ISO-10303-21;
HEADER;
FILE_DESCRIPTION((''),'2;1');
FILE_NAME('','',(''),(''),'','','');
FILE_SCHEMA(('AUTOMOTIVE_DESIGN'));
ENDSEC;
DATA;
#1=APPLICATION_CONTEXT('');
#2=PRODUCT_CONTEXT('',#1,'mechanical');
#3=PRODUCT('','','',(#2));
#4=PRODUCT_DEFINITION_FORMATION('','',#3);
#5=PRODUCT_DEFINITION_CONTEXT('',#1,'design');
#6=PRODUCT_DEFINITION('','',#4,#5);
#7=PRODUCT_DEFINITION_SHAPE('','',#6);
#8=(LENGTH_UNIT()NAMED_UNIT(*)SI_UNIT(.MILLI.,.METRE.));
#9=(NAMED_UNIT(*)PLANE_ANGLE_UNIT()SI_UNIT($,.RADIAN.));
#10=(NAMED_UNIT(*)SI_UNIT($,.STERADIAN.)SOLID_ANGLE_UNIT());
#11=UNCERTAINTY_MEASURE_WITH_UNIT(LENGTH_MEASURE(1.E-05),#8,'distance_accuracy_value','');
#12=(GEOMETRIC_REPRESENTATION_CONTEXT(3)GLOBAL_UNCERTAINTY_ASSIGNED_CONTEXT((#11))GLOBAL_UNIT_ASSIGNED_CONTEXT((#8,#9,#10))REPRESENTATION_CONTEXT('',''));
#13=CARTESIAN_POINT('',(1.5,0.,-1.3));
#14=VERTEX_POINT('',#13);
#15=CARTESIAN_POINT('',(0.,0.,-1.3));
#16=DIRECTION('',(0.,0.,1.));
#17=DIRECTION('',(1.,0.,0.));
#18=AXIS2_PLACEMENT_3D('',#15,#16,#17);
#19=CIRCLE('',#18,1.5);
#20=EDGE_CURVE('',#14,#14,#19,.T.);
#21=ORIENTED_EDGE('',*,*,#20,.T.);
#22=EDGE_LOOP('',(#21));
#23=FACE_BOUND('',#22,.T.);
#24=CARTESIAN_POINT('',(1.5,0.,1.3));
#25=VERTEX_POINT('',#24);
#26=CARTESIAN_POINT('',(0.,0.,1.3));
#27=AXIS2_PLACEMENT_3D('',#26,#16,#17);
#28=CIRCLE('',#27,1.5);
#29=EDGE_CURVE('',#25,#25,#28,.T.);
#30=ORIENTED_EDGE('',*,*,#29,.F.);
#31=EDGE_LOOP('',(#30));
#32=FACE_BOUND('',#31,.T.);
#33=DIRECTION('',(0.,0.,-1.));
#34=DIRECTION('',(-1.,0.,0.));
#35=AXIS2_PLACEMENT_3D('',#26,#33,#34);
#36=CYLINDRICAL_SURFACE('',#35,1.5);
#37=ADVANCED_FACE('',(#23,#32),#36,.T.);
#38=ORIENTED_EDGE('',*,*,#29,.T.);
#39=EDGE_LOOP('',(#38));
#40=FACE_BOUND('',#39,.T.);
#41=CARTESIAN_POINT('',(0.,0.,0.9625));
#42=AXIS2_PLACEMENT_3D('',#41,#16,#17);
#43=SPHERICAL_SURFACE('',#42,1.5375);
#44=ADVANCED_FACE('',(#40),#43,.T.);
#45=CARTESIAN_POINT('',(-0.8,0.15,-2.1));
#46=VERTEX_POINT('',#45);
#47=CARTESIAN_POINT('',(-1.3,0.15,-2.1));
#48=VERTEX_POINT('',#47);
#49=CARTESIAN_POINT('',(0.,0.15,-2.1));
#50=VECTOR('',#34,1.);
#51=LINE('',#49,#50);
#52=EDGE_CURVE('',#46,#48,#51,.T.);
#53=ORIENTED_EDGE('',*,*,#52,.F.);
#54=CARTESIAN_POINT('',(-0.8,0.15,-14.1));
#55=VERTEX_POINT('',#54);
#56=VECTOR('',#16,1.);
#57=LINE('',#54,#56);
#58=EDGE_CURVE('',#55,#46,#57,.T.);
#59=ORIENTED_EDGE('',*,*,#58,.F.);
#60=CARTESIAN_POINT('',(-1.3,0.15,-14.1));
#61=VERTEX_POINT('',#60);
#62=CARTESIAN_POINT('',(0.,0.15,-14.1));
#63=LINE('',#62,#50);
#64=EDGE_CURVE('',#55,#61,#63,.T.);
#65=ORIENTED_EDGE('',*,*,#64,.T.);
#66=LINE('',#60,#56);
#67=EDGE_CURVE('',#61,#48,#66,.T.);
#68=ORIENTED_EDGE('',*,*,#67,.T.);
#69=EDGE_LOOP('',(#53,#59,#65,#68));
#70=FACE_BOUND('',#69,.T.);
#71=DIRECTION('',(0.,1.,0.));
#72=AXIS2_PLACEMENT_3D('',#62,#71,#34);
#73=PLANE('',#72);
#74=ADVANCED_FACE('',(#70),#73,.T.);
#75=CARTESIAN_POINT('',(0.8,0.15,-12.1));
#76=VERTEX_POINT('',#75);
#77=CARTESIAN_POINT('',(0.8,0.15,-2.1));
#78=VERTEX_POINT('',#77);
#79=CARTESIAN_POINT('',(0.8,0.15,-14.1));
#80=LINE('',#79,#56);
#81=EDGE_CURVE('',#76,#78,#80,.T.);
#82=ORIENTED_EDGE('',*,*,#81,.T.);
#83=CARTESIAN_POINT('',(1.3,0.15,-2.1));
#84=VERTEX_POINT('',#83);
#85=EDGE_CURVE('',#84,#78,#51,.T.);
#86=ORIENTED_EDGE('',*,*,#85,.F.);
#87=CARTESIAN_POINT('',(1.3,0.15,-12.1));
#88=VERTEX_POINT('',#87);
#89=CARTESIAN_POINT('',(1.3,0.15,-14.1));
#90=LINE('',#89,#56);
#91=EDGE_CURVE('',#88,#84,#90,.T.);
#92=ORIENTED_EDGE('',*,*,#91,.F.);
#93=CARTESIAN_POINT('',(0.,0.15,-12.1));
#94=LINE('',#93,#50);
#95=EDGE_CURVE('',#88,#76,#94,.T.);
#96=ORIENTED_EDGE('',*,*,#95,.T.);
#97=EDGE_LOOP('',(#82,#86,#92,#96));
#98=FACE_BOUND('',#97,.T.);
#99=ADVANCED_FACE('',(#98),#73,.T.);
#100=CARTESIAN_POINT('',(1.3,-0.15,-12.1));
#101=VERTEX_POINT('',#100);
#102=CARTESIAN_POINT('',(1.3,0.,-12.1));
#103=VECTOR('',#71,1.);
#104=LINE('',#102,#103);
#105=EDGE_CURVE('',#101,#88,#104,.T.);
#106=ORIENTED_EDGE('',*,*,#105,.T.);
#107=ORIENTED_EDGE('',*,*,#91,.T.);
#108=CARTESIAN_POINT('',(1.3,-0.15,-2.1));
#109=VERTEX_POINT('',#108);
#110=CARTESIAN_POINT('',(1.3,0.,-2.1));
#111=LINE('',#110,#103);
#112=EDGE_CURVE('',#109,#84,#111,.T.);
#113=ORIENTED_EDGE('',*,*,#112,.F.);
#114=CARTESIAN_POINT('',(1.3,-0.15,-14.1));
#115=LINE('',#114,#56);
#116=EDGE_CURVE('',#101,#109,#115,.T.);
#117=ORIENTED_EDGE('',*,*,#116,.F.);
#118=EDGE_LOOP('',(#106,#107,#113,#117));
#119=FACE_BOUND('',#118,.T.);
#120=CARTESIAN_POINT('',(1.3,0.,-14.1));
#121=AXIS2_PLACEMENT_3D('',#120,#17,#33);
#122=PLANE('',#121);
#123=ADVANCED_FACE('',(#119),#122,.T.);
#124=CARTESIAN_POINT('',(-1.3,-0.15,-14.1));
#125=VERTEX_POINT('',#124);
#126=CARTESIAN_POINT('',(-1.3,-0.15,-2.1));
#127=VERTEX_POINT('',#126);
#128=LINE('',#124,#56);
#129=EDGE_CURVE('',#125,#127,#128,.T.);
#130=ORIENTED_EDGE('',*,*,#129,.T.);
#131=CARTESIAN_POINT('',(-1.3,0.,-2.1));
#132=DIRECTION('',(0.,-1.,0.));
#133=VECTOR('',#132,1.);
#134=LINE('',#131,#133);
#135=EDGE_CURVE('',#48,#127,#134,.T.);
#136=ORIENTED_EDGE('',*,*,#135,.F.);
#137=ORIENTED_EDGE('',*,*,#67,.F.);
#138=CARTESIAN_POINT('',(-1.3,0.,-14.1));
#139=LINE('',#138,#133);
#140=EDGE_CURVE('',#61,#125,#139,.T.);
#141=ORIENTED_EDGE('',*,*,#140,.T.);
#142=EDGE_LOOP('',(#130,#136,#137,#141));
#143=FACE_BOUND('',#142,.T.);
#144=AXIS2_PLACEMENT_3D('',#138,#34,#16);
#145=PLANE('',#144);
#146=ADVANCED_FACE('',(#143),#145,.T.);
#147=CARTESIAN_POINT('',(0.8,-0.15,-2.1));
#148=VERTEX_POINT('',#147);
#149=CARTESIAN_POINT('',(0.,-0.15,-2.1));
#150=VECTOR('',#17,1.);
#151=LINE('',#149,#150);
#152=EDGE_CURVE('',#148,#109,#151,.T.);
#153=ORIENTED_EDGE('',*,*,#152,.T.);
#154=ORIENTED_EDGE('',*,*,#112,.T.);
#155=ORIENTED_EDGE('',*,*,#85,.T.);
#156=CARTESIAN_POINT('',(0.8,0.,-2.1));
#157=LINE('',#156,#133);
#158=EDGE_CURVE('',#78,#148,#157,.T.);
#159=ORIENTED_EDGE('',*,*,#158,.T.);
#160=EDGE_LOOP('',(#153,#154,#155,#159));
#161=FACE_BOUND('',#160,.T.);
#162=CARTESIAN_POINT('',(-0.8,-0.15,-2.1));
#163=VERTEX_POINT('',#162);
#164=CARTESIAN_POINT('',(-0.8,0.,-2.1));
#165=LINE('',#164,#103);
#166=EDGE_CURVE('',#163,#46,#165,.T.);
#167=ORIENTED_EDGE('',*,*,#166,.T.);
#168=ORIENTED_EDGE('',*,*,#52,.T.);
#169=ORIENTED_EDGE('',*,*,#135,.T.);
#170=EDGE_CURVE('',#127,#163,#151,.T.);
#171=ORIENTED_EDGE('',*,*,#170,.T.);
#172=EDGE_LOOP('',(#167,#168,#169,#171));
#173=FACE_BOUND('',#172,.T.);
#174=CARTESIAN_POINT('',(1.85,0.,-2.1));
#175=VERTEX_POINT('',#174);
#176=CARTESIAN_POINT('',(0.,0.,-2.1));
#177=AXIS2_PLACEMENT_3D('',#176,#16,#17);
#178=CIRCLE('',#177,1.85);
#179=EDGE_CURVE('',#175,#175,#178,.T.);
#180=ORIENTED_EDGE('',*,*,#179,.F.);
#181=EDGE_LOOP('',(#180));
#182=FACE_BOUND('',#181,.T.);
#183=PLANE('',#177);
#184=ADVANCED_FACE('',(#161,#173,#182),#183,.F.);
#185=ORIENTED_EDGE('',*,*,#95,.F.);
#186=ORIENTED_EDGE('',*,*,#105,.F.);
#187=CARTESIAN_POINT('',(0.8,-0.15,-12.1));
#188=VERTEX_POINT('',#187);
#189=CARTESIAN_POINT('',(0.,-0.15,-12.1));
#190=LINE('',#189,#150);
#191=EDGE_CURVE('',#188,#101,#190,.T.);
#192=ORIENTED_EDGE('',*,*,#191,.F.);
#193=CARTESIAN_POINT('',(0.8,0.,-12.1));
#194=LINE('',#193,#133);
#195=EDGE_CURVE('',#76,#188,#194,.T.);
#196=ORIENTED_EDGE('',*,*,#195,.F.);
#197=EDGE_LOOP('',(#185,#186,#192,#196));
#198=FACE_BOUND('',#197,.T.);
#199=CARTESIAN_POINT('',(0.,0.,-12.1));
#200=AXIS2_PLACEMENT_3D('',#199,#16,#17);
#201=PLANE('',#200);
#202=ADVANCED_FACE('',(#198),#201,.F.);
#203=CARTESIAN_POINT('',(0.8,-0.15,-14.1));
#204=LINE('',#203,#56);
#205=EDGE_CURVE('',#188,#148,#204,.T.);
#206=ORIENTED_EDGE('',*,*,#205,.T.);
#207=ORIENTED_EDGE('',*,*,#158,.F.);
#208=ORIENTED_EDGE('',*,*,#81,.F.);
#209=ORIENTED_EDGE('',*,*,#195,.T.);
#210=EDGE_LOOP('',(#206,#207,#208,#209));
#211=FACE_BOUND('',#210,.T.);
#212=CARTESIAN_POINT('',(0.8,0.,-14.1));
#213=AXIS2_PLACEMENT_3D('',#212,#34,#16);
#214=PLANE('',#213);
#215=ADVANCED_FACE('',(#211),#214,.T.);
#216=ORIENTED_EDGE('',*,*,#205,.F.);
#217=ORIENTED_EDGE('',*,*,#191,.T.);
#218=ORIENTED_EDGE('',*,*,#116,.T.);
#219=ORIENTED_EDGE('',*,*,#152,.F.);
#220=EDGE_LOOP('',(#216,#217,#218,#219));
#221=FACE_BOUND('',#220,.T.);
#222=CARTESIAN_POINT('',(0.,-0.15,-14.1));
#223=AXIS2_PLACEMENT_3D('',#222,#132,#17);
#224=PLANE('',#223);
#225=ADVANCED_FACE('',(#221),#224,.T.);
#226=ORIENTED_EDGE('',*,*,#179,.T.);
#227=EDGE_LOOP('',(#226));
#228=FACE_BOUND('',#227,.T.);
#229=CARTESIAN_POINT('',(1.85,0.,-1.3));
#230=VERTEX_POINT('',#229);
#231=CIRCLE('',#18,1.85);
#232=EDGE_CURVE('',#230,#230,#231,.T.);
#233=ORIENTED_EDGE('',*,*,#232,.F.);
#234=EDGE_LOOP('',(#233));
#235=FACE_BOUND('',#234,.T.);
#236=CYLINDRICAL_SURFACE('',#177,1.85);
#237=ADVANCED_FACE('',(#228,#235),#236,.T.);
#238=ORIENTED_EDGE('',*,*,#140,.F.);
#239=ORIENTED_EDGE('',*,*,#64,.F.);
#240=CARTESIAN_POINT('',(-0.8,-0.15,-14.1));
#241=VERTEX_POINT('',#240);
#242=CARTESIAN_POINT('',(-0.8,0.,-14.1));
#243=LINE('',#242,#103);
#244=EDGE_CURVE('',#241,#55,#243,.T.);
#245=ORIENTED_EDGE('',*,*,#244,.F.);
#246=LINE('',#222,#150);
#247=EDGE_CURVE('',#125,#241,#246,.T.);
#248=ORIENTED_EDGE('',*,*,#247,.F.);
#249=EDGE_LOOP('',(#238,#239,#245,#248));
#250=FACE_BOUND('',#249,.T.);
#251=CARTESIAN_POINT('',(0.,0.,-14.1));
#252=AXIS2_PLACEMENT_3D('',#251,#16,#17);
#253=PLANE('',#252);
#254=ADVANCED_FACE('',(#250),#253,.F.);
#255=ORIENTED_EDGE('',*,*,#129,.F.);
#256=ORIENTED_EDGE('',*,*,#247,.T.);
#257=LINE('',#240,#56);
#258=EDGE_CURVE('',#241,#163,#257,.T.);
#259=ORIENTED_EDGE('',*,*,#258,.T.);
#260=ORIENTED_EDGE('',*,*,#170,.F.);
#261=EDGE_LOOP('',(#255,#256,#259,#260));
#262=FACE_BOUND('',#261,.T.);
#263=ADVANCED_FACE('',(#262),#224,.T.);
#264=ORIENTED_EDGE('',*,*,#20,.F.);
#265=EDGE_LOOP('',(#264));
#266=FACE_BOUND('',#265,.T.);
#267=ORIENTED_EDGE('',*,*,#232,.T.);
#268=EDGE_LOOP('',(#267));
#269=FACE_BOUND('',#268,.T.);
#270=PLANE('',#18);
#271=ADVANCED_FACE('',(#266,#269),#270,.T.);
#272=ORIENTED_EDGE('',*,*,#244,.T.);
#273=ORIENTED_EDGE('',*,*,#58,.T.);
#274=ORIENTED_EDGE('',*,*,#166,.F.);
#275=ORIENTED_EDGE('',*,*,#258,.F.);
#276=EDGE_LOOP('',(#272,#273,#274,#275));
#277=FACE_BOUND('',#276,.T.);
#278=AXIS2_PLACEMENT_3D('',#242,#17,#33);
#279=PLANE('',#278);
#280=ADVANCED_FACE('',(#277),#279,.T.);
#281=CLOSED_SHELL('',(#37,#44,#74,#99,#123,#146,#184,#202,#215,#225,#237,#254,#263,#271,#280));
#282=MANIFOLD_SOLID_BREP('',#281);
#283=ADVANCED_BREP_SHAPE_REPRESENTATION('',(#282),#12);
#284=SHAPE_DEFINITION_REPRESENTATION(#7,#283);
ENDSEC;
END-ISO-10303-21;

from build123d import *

# Parameters (mm, degrees)
SKETCH1_R           = 1.5
BOSS_EXTRUDE1_DEPTH = 1.3
BOSS_EXTRUDE2_START = -1.3
SKETCH2_R           = 1.85
BOSS_EXTRUDE2_DEPTH = 0.8
DOME1_FACE_RADIUS   = 1.5
DOME1_HEIGHT        = 1.2
BOSS_EXTRUDE3_START = -2.1
SKETCH3_W           = 0.5
SKETCH3_H           = 0.3
BOSS_EXTRUDE3_DEPTH = 12
CUT_EXTRUDE1_START  = -14.1
SKETCH4_W           = 0.5
SKETCH4_H           = 0.3
CUT_EXTRUDE1_DEPTH  = 2


with BuildPart() as part:
    # Sketch1 → Boss-Extrude1 (new body, symmetric)
    with BuildSketch(Plane.XY):
        Circle(SKETCH1_R)
    extrude(amount=BOSS_EXTRUDE1_DEPTH, both=True)

    # Sketch2 → Boss-Extrude2 (add)
    with BuildSketch(Plane.XY.offset(BOSS_EXTRUDE2_START)):
        Circle(SKETCH2_R)
    extrude(amount=-BOSS_EXTRUDE2_DEPTH)

    # Dome1: a dome of height H over a round flat face of radius A is a cap of a sphere of radius (A * A + H * H) / (2 * H)
    dome1_r = (DOME1_FACE_RADIUS * DOME1_FACE_RADIUS + DOME1_HEIGHT * DOME1_HEIGHT) / (2 * DOME1_HEIGHT)
    dome1_base = Plane((0, 0, 1.3), z_dir=(0, 0, 1))
    with Locations(dome1_base.offset(DOME1_HEIGHT - dome1_r)):
        dome1_ball = Sphere(dome1_r, mode=Mode.PRIVATE)
    add(split(dome1_ball, bisect_by=dome1_base, keep=Keep.TOP, mode=Mode.PRIVATE))

    # Sketch3 → Boss-Extrude3 (add)
    with BuildSketch(Plane.XY.offset(BOSS_EXTRUDE3_START)):
        with Locations((1.05, 0)):
            Rectangle(SKETCH3_W, SKETCH3_H)
        with Locations((-1.05, 0)):
            Rectangle(SKETCH3_W, SKETCH3_H)
    extrude(amount=-BOSS_EXTRUDE3_DEPTH)

    # Sketch4 → Cut-Extrude1 (cut)
    with BuildSketch(Plane.XY.offset(CUT_EXTRUDE1_START)):
        with Locations((1.05, 0)):
            Rectangle(SKETCH4_W, SKETCH4_H)
    extrude(amount=CUT_EXTRUDE1_DEPTH, mode=Mode.SUBTRACT)


solid = part.part
